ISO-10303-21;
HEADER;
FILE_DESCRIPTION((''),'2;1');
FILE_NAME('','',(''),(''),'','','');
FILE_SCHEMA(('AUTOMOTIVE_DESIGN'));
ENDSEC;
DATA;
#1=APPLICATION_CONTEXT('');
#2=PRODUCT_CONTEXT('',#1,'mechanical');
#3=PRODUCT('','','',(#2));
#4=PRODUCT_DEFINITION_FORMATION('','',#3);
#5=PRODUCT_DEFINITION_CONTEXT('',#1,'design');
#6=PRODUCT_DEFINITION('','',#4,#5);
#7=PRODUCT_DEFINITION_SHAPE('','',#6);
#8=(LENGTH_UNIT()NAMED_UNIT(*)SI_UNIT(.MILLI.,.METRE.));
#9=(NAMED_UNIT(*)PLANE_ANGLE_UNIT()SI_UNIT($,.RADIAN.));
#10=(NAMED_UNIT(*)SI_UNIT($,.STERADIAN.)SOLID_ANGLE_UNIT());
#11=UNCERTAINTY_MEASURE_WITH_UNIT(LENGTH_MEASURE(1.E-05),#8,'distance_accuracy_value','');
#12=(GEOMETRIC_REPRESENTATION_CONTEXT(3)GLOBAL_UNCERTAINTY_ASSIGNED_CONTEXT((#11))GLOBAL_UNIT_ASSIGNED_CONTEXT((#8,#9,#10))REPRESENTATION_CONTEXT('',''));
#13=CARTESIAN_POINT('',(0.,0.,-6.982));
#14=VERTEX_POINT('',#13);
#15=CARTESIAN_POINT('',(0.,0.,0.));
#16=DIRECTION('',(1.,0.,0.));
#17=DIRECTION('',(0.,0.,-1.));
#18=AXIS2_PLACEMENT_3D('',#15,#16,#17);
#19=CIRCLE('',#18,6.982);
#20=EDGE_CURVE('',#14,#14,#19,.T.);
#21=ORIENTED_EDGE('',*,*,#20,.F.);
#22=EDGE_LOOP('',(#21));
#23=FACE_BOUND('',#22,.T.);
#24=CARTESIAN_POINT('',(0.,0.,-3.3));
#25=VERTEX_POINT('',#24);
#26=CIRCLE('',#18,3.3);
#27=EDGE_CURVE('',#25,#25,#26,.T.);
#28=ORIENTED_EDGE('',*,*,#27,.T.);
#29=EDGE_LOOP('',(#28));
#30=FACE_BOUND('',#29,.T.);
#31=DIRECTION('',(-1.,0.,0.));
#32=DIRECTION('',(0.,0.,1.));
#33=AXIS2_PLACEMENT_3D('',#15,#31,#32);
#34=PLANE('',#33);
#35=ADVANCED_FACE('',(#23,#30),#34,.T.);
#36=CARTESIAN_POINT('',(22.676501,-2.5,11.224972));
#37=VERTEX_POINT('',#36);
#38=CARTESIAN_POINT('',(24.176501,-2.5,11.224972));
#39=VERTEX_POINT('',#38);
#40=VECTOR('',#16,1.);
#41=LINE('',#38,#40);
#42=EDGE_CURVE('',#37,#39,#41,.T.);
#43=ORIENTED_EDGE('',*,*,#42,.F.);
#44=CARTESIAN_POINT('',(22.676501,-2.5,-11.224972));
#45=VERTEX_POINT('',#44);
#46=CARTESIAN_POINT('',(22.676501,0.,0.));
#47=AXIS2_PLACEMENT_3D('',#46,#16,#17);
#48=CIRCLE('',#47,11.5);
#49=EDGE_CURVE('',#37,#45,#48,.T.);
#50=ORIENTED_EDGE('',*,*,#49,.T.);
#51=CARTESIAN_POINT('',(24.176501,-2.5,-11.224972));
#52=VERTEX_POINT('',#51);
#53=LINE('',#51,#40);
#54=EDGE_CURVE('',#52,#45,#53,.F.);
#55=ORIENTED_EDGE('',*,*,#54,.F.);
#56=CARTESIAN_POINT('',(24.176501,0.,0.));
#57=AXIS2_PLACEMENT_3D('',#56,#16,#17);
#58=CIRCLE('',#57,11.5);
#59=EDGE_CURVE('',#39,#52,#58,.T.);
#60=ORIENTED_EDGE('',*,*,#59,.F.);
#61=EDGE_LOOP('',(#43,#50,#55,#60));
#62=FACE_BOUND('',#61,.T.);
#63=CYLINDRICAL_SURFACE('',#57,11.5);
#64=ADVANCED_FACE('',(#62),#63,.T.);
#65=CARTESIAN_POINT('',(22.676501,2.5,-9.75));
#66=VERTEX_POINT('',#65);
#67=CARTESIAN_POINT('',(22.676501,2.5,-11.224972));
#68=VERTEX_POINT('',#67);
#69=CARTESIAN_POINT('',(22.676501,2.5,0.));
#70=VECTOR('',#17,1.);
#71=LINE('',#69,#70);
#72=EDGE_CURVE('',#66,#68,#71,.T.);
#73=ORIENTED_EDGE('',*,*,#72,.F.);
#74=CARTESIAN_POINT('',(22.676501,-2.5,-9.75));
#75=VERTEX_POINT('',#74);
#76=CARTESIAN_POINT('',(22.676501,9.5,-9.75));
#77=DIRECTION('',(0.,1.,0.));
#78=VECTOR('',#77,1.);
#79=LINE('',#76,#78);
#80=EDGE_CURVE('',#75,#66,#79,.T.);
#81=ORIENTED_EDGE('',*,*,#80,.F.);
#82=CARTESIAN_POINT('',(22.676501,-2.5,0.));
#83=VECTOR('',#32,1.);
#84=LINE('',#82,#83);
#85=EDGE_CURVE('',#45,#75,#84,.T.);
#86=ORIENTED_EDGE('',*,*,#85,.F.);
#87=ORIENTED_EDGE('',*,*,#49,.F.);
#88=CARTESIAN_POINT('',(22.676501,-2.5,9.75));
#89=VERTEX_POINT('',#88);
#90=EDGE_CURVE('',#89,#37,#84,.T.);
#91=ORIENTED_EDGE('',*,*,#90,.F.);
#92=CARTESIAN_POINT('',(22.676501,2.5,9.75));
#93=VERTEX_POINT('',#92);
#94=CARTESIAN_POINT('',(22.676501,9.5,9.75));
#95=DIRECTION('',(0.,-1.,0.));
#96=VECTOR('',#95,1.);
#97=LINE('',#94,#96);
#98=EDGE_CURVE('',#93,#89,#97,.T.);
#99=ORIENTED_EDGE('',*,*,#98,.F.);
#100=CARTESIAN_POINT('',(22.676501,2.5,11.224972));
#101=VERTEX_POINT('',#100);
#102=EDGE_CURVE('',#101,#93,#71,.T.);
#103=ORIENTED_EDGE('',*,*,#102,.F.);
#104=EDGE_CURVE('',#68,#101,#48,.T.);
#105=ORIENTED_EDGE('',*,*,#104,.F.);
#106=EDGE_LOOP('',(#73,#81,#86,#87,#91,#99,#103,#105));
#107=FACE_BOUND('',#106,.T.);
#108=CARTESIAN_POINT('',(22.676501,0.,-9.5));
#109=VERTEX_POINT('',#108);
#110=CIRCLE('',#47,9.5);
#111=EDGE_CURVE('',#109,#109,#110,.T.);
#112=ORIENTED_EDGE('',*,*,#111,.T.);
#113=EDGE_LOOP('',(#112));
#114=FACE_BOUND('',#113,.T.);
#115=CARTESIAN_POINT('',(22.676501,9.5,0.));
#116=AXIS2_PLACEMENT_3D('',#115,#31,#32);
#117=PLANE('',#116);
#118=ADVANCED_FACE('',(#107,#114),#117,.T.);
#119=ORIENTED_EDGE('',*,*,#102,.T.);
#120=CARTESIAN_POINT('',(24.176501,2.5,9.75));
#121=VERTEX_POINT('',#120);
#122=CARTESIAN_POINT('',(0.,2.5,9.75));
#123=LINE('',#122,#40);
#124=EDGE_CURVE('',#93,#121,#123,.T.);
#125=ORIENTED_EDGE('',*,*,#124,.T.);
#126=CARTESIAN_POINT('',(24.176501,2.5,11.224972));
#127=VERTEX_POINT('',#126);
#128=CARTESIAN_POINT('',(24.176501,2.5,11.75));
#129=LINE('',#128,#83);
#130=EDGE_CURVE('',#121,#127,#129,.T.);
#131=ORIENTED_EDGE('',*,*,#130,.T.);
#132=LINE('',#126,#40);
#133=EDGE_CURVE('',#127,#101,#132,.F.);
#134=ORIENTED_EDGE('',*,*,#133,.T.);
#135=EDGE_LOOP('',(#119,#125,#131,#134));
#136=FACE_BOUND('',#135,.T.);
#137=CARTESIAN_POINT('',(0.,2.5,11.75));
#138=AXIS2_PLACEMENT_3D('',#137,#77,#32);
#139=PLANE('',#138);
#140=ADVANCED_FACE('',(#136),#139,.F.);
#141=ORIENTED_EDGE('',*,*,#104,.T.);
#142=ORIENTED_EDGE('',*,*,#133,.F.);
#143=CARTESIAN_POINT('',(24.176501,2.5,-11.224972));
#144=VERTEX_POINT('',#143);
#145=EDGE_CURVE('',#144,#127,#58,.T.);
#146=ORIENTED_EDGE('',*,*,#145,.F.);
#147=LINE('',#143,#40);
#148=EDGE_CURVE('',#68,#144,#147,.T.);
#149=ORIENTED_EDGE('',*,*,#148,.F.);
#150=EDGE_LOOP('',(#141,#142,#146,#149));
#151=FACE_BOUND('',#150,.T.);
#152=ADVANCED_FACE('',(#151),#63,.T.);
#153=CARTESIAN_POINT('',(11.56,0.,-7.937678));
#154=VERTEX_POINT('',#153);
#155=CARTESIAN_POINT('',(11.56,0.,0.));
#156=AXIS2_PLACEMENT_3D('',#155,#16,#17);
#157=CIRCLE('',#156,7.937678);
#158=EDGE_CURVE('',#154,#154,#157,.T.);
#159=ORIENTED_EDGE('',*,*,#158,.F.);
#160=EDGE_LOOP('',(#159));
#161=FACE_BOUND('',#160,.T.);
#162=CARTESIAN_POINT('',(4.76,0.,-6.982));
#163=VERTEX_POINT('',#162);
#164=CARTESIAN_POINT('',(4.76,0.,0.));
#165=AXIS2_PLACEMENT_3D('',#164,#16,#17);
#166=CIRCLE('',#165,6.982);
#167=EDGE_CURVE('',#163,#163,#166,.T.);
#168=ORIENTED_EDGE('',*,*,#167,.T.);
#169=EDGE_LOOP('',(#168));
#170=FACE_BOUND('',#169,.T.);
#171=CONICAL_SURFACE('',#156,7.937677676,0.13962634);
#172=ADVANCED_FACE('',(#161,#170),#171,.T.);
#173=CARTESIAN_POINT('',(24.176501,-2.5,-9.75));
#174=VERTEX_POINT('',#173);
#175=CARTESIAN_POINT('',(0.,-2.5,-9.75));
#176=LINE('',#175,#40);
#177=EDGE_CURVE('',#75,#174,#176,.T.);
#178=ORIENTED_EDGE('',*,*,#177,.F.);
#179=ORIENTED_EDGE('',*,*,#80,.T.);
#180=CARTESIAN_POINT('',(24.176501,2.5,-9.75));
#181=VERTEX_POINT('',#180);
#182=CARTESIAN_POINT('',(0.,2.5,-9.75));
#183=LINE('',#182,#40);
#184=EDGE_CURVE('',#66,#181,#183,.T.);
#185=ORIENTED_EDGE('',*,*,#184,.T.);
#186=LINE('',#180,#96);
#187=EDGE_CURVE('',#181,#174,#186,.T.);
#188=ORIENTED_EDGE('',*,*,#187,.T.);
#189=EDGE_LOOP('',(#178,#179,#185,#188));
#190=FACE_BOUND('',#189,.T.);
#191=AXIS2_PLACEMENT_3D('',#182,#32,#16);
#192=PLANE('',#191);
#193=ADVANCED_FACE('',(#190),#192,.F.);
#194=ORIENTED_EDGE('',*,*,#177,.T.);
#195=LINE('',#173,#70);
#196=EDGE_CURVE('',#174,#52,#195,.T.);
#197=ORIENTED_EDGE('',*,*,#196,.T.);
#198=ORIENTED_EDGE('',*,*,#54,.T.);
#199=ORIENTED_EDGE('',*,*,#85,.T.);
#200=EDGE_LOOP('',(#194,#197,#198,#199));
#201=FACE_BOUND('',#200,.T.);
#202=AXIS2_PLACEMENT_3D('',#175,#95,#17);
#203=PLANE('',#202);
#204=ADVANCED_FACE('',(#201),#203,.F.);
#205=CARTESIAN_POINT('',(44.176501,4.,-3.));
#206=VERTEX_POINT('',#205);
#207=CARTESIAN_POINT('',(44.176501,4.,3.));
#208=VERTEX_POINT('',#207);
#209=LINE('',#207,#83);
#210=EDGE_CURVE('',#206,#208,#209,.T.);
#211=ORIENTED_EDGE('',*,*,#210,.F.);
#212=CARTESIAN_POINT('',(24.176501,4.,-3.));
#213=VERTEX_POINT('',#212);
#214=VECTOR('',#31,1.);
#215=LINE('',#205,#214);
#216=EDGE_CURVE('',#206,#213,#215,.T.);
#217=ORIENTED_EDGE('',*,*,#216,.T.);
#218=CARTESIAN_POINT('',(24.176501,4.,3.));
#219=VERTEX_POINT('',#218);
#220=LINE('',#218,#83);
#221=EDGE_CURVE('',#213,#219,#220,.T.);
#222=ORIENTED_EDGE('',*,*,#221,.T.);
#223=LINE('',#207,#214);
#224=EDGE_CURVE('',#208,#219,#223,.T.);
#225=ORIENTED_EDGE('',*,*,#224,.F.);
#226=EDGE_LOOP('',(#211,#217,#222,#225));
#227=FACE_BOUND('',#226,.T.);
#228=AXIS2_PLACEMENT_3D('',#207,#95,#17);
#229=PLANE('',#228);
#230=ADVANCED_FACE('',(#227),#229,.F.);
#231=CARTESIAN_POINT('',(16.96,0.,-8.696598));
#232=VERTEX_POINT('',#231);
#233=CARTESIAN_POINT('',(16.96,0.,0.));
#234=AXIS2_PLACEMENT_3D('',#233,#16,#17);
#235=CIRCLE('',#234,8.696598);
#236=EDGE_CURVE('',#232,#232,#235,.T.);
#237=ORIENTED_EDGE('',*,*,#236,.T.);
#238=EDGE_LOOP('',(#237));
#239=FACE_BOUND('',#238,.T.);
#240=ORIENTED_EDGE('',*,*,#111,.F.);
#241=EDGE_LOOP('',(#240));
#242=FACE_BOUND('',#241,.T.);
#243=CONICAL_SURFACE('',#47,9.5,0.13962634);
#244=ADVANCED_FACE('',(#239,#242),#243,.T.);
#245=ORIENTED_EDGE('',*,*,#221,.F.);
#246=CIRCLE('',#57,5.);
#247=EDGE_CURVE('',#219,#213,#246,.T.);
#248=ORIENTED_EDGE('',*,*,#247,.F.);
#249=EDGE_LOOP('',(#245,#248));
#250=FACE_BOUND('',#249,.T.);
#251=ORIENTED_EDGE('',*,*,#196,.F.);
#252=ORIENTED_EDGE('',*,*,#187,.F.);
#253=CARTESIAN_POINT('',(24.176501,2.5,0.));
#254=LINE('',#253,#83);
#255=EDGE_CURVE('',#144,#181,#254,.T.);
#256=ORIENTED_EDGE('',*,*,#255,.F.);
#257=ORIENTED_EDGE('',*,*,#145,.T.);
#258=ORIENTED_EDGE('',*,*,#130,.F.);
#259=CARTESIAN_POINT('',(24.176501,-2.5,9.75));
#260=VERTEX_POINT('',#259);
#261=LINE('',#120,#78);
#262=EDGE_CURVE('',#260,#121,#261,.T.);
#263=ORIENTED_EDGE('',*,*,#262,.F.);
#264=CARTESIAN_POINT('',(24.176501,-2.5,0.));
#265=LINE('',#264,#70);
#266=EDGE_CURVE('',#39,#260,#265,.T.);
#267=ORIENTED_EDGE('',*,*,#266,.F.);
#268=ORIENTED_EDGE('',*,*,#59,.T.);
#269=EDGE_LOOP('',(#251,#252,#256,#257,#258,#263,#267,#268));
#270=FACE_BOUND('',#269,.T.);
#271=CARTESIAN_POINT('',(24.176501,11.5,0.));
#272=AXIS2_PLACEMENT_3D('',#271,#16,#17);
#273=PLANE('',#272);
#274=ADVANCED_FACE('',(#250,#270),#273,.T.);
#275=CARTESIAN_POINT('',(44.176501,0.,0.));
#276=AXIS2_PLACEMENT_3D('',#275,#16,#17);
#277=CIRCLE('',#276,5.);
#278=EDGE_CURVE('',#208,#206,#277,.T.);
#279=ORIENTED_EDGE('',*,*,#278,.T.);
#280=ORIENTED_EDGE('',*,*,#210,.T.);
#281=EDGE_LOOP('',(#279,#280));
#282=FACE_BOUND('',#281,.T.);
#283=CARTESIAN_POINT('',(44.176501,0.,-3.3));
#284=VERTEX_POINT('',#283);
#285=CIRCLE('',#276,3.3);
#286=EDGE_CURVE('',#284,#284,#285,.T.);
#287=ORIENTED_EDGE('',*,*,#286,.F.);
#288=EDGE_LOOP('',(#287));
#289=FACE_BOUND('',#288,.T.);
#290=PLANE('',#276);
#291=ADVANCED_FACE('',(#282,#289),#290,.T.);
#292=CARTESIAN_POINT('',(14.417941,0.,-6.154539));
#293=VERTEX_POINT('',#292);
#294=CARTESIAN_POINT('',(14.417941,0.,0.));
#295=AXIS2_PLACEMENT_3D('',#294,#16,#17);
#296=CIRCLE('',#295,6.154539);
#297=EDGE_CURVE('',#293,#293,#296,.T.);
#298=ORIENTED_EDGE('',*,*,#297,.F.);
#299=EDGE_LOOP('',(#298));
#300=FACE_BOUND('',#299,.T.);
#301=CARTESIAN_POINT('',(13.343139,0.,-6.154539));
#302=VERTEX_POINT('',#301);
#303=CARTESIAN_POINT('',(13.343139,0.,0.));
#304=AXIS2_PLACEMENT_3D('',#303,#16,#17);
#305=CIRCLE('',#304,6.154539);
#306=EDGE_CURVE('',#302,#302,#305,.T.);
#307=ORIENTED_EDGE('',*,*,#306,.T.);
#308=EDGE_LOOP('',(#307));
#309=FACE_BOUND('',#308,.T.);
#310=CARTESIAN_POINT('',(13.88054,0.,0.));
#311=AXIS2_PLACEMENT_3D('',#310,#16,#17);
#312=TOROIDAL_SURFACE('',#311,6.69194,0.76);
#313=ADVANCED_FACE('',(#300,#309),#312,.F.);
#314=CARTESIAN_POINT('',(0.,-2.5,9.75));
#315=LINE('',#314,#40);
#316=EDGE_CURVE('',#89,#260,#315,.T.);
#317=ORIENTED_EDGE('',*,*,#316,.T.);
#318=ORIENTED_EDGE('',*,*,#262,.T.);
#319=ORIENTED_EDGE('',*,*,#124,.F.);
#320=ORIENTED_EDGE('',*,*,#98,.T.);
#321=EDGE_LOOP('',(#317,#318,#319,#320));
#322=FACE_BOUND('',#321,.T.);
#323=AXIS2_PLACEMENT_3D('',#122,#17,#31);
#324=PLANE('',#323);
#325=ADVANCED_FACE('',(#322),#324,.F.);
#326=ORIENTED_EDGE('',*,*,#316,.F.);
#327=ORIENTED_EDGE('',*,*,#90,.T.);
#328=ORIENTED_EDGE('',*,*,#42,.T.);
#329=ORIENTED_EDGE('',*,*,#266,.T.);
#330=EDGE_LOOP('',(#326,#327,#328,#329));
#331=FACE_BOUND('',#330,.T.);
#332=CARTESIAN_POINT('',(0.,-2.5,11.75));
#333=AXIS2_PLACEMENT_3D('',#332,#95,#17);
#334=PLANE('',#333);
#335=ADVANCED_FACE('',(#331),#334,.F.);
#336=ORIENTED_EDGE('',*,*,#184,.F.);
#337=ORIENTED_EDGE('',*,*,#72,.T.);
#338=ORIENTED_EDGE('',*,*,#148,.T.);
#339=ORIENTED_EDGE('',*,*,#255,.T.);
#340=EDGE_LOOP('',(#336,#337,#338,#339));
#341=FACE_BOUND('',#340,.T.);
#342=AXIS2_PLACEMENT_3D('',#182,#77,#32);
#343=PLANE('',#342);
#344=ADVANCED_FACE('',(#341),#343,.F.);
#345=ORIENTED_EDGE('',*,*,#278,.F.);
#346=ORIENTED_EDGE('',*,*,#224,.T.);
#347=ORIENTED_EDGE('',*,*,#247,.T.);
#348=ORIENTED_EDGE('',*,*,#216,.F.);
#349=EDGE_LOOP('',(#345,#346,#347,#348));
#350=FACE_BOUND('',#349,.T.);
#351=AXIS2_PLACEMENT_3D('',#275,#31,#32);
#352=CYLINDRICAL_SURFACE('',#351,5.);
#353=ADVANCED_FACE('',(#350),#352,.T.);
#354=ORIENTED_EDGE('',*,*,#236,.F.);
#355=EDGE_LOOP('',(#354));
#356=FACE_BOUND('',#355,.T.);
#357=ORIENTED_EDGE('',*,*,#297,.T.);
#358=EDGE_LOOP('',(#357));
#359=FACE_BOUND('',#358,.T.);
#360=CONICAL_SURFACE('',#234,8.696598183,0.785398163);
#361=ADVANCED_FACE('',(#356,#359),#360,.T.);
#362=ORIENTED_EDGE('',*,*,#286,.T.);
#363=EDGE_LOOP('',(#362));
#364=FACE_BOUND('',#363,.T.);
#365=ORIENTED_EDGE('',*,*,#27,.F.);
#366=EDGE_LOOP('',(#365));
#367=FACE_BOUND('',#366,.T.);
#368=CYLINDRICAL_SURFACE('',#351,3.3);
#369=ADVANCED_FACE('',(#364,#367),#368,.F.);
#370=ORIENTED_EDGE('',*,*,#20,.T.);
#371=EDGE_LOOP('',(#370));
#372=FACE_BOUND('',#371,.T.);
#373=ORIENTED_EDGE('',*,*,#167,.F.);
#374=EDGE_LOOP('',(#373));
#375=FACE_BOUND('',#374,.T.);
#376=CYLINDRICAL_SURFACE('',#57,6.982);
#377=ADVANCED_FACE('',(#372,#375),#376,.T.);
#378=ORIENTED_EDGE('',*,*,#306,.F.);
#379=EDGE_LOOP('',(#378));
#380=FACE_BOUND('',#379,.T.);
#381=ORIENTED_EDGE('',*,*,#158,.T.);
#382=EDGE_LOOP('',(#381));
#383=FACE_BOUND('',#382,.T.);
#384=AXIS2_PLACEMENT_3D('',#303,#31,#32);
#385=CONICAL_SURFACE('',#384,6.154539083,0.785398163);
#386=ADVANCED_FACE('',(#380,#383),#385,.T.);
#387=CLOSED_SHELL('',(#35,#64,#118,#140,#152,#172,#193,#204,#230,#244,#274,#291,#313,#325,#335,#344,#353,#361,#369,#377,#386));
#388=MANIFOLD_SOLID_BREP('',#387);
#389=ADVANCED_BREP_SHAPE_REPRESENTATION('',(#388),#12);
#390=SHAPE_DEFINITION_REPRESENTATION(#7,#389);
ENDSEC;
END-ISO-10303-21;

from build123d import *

# Parameters (mm, degrees)
SKETCH3_W           = 2
SKETCH3_H           = 5
CUT_EXTRUDE6_DEPTH  = 25.176500961
BOSS_EXTRUDE4_DEPTH = 20
SKETCH2_R           = 3.3
CUT_EXTRUDE7_DEPTH  = 45.176500961


with BuildPart() as part:
    # Sketch1 → Revolve3 (revolve)
    with BuildSketch(Plane.XY):
        with BuildLine():
            Line((0, 0), (0, 6.982))
            Line((0, 6.982), (4.76, 6.982))
            Line((4.76, 6.982), (11.56, 7.937677676))
            Line((11.56, 7.937677676), (13.343138593, 6.154539083))
            ThreePointArc((13.343138593, 6.154539083), (13.880539746, 5.931940237), (14.4179409, 6.154539083))
            Line((14.4179409, 6.154539083), (16.96, 8.696598183))
            Line((16.96, 8.696598183), (22.676500961, 9.5))
            Line((22.676500961, 9.5), (22.676500961, 11.5))
            Line((22.676500961, 11.5), (24.176500961, 11.5))
            Line((24.176500961, 11.5), (24.176500961, 0))
            Line((24.176500961, 0), (0, 0))
        make_face()
    revolve(axis=Axis((24.176500961, 0, 0), (-1, 0, 0)))

    # Sketch3 → Cut-Extrude6 (cut, through all)
    with BuildSketch(Plane(origin=(24.176500961, 0, 0), x_dir=(0, 0, -1), z_dir=(1, 0, 0))):
        with Locations((-10.75, 0)):
            Rectangle(SKETCH3_W, SKETCH3_H)
        with Locations((10.75, 0)):
            Rectangle(SKETCH3_W, SKETCH3_H)
    extrude(amount=-CUT_EXTRUDE6_DEPTH, mode=Mode.SUBTRACT)

    # Sketch4 → Boss-Extrude4 (add)
    with BuildSketch(Plane(origin=(24.176500961, 0, 0), x_dir=(0, 0, -1), z_dir=(1, 0, 0))):
        with BuildLine():
            Line((-3, 4), (3, 4))
            ThreePointArc((3, 4), (0, -5), (-3, 4))
        make_face()
    extrude(amount=BOSS_EXTRUDE4_DEPTH)

    # Sketch2 → Cut-Extrude7 (cut, through all)
    with BuildSketch(Plane(origin=(0, 0, 0), x_dir=(0, 0, -1), z_dir=(1, 0, 0))):
        Circle(SKETCH2_R)
    extrude(amount=CUT_EXTRUDE7_DEPTH, mode=Mode.SUBTRACT)


solid = part.part
